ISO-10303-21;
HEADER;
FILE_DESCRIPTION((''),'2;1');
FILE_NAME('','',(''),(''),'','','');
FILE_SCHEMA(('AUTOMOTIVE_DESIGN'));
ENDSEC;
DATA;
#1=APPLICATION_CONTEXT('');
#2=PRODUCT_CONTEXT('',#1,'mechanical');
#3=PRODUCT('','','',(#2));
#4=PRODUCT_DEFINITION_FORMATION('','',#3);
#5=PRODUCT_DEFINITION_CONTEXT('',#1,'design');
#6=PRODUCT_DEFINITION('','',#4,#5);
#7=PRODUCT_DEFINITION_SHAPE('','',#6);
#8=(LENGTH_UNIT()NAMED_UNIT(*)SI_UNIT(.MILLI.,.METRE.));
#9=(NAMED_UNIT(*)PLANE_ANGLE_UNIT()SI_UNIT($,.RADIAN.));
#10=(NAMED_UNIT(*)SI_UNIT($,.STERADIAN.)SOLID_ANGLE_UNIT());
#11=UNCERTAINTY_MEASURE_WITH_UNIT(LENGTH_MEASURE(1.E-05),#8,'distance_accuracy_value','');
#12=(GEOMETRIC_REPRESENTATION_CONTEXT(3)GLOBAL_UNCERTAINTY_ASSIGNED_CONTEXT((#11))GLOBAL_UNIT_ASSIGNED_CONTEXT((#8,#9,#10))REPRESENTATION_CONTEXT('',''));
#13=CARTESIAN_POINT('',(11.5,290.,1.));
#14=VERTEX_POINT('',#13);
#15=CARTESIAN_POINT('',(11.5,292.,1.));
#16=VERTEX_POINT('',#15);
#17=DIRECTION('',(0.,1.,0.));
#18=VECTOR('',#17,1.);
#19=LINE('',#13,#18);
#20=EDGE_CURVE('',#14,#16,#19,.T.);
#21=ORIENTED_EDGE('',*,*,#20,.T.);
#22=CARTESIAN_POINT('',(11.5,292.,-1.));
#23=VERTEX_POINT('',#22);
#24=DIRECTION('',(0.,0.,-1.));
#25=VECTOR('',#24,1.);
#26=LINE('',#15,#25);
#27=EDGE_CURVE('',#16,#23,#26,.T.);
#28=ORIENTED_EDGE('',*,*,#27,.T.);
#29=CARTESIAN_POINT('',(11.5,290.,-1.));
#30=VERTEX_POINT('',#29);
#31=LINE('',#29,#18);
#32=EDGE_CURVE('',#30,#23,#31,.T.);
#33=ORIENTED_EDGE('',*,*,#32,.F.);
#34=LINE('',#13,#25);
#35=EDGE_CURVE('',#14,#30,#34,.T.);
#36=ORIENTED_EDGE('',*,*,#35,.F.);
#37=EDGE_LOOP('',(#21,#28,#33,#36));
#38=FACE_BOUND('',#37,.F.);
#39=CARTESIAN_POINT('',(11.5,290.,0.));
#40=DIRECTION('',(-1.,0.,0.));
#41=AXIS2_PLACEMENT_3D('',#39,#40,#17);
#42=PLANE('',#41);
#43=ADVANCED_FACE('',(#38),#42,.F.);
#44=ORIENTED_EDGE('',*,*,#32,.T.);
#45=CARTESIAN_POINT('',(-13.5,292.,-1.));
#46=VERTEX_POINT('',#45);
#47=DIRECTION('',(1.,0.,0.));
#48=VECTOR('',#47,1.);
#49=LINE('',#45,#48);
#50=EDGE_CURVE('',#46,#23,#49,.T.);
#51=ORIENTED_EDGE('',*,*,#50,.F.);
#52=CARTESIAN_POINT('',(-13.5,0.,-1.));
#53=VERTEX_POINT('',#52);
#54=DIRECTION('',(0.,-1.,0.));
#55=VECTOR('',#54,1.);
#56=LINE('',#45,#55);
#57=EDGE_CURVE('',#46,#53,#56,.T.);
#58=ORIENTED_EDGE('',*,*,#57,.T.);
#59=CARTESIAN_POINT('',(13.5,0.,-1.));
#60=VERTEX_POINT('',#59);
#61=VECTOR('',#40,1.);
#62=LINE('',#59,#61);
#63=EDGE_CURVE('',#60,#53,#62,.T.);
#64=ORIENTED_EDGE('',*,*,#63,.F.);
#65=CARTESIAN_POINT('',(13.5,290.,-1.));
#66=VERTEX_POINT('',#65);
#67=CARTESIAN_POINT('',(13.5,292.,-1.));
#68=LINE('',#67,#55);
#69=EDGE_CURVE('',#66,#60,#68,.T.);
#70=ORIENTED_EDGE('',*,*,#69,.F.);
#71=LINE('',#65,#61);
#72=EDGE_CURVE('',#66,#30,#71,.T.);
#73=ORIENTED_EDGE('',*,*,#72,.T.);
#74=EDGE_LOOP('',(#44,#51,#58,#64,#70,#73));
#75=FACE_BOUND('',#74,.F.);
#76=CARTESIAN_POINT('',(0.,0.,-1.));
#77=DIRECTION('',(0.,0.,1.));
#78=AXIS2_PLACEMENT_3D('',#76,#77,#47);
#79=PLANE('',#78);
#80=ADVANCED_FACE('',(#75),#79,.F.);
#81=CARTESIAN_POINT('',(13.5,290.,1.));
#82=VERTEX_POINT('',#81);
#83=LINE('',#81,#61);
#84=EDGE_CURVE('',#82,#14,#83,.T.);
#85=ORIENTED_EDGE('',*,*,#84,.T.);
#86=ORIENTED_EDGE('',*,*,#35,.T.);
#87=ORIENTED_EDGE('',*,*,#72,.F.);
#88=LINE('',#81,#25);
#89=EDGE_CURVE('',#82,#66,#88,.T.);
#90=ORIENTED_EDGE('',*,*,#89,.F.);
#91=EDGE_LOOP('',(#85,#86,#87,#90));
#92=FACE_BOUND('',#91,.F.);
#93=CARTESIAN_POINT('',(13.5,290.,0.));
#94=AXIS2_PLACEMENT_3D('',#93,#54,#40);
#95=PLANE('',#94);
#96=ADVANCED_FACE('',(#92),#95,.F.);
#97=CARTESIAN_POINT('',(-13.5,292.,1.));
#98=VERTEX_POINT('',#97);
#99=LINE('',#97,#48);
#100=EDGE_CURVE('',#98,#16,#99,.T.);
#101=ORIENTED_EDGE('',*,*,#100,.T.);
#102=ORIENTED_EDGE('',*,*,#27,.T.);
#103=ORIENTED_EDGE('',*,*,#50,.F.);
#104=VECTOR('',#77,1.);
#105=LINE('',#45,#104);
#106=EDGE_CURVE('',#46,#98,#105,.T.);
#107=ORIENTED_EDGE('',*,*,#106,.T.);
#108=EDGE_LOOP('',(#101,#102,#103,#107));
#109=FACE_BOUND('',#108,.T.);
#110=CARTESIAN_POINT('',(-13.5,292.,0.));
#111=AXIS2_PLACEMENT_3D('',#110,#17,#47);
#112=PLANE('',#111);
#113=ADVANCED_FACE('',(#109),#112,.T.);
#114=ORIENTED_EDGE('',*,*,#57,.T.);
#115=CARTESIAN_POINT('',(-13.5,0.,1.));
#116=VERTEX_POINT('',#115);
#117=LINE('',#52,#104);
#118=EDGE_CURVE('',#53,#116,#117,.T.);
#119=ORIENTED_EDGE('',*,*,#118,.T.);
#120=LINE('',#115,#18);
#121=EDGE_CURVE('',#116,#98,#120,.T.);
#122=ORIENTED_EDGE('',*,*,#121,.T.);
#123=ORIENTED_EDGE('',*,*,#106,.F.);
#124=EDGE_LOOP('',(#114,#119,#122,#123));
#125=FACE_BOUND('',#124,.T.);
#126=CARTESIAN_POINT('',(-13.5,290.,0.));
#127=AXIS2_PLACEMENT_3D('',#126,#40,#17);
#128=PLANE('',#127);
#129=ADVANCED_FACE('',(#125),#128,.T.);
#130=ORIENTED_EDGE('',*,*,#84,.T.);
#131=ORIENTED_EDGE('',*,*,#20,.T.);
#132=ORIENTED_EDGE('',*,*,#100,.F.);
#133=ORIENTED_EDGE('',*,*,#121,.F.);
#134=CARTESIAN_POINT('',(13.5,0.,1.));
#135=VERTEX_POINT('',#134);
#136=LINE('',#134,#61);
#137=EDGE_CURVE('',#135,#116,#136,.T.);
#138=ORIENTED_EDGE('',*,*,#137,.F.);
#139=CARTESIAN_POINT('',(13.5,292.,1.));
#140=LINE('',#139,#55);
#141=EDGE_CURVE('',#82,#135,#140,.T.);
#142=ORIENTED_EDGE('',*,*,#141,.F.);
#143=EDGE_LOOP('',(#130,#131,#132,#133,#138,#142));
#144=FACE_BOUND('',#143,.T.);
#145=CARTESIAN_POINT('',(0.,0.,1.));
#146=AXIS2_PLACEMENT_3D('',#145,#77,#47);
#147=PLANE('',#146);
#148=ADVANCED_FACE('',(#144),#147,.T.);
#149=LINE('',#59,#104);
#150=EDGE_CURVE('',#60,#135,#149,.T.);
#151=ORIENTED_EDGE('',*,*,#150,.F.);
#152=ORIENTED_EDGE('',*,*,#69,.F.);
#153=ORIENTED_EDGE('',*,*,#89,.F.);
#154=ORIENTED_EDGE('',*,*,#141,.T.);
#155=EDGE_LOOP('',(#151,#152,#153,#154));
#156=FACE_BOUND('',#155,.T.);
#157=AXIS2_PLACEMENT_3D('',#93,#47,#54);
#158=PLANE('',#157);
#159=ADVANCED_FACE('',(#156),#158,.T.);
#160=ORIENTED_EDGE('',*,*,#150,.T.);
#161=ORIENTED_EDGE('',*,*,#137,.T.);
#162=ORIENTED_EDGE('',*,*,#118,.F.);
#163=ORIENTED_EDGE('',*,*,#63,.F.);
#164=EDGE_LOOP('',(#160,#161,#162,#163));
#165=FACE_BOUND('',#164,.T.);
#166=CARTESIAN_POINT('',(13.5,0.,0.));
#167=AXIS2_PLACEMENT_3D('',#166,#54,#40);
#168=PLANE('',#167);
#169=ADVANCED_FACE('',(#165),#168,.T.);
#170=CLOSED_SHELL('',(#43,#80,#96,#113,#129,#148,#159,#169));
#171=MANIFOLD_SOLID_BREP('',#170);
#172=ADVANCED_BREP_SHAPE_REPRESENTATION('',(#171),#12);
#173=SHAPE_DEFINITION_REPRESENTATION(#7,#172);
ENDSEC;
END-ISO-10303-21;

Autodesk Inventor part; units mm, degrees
ref_plane "YZ Plane" through (0, 0, 0) normal (1, 0, 0) x (0, 1, 0)
ref_plane "XZ Plane" through (0, 0, 0) normal (0, 1, 0) x (-1, 0, 0)
ref_plane "XY Plane" through (0, 0, 0) normal (0, 0, 1) x (1, 0, 0)
sketch "Sketch1" plane through (0, 0, 0) normal (0, 0, 1) x (1, 0, 0)
  line L0 (-13.5, 292) -> (13.5, 292)
  line L1 (13.5, 292) -> (13.5, 0)
  line L2 (13.5, 0) -> (-13.5, 0)
  line L3 (-13.5, 0) -> (-13.5, 292)
  line L4 (13.5, 290) -> (-13.5, 290)
  line L5 (11.5, 290) -> (11.5, 292)
  point P0 (0, 0)
  point P1 (0, 0)
  point P2 (0, 0)
  point P3 (0, 0)
  point P4 (0, 0)
  dimension "d27" = 27
  dimension "d29" = 292
  dimension "d30" = 2
  dimension "d31" = -2
extrude "Plate1" add sketch "Sketch1" along normal mid plane 2 contours L0 L5 L4 L3 | L4 L1 L2 L3
equation "\"d29\" = 0.5 * Шстр_диам_внутр - 0.5 * Колесо_диам3_борт_ступицы - 2 * Thickness"
equation "\"d30\" = Thickness"
equation "\"d31\" = 0.5 * Шстр_диам_внутр - 0.5 * Колесо_диам2_ручья_внутр - Thickness"
equation "\"d15\" = Thickness"
equation "\"BendRadius\" = Thickness"
equation "\"BendReliefWidth\" = Thickness"
equation "\"BendReliefDepth\" = 0.5 * Thickness"
equation "\"CornerReliefSize\" = 4 * Thickness"
equation "\"MinimumRemnant\" = 2 * Thickness"
equation "\"TransitionRadius\" = BendRadius"
equation "\"JacobiRadiusSize\" = BendRadius"
equation "\"GapSize\" = Thickness"
equation "\"Шстр_диам_внутр\" = 1100"
equation "\"Колесо_диам3_борт_ступицы\" = 508"
equation "\"Thickness\" = 2"
equation "\"Колесо_диам2_ручья_внутр\" = 1100"
properties part number "DMF2.0 01 42 Gear way 2"
